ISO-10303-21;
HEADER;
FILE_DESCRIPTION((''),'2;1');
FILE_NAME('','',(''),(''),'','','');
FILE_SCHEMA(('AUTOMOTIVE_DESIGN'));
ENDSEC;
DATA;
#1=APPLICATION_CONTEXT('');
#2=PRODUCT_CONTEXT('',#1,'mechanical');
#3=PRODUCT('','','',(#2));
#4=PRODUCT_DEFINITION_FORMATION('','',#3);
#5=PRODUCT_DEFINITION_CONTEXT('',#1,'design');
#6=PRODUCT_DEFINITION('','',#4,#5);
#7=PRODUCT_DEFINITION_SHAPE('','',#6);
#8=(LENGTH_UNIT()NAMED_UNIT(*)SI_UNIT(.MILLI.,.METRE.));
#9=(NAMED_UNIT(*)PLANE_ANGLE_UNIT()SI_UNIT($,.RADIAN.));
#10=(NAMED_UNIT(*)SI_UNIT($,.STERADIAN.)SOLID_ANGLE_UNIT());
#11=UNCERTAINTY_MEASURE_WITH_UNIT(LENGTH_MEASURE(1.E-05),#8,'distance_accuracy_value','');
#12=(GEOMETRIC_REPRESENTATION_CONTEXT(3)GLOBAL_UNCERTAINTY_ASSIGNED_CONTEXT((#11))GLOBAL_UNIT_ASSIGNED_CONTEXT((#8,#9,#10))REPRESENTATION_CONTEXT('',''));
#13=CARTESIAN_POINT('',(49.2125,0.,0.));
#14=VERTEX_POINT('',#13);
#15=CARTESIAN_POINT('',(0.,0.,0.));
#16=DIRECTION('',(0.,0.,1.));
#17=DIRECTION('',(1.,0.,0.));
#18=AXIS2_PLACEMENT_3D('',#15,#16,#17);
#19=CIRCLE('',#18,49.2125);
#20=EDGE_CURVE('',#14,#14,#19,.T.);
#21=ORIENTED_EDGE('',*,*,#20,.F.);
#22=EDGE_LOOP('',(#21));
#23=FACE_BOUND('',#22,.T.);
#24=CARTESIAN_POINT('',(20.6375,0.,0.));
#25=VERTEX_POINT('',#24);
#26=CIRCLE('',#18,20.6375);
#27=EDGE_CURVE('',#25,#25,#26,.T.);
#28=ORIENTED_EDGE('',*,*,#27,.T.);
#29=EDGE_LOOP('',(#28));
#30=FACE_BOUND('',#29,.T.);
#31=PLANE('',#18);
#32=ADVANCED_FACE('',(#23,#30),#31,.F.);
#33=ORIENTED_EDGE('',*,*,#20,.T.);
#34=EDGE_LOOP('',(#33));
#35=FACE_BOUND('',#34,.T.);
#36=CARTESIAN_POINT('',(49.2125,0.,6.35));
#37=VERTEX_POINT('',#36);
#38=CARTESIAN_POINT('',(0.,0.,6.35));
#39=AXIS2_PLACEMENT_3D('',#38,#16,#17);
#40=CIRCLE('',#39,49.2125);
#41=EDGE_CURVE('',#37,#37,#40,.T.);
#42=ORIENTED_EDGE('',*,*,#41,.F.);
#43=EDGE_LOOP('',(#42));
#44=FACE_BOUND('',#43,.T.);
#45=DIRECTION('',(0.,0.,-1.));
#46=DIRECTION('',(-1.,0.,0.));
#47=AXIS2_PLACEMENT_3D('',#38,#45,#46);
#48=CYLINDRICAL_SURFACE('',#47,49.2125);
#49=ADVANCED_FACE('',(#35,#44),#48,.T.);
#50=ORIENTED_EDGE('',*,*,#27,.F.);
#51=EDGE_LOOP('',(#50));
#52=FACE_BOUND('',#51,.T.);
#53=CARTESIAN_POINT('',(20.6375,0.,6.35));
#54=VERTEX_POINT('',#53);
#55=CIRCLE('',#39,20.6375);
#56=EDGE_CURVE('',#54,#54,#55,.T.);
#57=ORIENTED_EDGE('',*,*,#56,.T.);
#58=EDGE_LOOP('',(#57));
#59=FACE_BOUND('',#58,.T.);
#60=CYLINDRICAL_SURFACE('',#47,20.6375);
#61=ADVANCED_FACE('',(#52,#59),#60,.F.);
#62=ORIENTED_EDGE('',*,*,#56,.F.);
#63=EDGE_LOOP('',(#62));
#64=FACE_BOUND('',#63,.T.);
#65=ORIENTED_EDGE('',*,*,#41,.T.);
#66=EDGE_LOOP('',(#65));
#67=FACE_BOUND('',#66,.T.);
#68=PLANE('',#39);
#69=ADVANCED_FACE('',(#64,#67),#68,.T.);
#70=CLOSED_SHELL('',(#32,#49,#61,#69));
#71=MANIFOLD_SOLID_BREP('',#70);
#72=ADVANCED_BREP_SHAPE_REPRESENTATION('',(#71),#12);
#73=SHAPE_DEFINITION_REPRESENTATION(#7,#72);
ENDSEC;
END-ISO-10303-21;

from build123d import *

# Parameters (mm, degrees)
SKETCH1_R           = 49.2125
SKETCH1_R_2         = 20.6375
BOSS_EXTRUDE1_DEPTH = 6.35


with BuildPart() as part:
    # Sketch1 → Boss-Extrude1 (new body)
    with BuildSketch(Plane.XY):
        Circle(SKETCH1_R)
        Circle(SKETCH1_R_2, mode=Mode.SUBTRACT)
    extrude(amount=BOSS_EXTRUDE1_DEPTH)


solid = part.part
